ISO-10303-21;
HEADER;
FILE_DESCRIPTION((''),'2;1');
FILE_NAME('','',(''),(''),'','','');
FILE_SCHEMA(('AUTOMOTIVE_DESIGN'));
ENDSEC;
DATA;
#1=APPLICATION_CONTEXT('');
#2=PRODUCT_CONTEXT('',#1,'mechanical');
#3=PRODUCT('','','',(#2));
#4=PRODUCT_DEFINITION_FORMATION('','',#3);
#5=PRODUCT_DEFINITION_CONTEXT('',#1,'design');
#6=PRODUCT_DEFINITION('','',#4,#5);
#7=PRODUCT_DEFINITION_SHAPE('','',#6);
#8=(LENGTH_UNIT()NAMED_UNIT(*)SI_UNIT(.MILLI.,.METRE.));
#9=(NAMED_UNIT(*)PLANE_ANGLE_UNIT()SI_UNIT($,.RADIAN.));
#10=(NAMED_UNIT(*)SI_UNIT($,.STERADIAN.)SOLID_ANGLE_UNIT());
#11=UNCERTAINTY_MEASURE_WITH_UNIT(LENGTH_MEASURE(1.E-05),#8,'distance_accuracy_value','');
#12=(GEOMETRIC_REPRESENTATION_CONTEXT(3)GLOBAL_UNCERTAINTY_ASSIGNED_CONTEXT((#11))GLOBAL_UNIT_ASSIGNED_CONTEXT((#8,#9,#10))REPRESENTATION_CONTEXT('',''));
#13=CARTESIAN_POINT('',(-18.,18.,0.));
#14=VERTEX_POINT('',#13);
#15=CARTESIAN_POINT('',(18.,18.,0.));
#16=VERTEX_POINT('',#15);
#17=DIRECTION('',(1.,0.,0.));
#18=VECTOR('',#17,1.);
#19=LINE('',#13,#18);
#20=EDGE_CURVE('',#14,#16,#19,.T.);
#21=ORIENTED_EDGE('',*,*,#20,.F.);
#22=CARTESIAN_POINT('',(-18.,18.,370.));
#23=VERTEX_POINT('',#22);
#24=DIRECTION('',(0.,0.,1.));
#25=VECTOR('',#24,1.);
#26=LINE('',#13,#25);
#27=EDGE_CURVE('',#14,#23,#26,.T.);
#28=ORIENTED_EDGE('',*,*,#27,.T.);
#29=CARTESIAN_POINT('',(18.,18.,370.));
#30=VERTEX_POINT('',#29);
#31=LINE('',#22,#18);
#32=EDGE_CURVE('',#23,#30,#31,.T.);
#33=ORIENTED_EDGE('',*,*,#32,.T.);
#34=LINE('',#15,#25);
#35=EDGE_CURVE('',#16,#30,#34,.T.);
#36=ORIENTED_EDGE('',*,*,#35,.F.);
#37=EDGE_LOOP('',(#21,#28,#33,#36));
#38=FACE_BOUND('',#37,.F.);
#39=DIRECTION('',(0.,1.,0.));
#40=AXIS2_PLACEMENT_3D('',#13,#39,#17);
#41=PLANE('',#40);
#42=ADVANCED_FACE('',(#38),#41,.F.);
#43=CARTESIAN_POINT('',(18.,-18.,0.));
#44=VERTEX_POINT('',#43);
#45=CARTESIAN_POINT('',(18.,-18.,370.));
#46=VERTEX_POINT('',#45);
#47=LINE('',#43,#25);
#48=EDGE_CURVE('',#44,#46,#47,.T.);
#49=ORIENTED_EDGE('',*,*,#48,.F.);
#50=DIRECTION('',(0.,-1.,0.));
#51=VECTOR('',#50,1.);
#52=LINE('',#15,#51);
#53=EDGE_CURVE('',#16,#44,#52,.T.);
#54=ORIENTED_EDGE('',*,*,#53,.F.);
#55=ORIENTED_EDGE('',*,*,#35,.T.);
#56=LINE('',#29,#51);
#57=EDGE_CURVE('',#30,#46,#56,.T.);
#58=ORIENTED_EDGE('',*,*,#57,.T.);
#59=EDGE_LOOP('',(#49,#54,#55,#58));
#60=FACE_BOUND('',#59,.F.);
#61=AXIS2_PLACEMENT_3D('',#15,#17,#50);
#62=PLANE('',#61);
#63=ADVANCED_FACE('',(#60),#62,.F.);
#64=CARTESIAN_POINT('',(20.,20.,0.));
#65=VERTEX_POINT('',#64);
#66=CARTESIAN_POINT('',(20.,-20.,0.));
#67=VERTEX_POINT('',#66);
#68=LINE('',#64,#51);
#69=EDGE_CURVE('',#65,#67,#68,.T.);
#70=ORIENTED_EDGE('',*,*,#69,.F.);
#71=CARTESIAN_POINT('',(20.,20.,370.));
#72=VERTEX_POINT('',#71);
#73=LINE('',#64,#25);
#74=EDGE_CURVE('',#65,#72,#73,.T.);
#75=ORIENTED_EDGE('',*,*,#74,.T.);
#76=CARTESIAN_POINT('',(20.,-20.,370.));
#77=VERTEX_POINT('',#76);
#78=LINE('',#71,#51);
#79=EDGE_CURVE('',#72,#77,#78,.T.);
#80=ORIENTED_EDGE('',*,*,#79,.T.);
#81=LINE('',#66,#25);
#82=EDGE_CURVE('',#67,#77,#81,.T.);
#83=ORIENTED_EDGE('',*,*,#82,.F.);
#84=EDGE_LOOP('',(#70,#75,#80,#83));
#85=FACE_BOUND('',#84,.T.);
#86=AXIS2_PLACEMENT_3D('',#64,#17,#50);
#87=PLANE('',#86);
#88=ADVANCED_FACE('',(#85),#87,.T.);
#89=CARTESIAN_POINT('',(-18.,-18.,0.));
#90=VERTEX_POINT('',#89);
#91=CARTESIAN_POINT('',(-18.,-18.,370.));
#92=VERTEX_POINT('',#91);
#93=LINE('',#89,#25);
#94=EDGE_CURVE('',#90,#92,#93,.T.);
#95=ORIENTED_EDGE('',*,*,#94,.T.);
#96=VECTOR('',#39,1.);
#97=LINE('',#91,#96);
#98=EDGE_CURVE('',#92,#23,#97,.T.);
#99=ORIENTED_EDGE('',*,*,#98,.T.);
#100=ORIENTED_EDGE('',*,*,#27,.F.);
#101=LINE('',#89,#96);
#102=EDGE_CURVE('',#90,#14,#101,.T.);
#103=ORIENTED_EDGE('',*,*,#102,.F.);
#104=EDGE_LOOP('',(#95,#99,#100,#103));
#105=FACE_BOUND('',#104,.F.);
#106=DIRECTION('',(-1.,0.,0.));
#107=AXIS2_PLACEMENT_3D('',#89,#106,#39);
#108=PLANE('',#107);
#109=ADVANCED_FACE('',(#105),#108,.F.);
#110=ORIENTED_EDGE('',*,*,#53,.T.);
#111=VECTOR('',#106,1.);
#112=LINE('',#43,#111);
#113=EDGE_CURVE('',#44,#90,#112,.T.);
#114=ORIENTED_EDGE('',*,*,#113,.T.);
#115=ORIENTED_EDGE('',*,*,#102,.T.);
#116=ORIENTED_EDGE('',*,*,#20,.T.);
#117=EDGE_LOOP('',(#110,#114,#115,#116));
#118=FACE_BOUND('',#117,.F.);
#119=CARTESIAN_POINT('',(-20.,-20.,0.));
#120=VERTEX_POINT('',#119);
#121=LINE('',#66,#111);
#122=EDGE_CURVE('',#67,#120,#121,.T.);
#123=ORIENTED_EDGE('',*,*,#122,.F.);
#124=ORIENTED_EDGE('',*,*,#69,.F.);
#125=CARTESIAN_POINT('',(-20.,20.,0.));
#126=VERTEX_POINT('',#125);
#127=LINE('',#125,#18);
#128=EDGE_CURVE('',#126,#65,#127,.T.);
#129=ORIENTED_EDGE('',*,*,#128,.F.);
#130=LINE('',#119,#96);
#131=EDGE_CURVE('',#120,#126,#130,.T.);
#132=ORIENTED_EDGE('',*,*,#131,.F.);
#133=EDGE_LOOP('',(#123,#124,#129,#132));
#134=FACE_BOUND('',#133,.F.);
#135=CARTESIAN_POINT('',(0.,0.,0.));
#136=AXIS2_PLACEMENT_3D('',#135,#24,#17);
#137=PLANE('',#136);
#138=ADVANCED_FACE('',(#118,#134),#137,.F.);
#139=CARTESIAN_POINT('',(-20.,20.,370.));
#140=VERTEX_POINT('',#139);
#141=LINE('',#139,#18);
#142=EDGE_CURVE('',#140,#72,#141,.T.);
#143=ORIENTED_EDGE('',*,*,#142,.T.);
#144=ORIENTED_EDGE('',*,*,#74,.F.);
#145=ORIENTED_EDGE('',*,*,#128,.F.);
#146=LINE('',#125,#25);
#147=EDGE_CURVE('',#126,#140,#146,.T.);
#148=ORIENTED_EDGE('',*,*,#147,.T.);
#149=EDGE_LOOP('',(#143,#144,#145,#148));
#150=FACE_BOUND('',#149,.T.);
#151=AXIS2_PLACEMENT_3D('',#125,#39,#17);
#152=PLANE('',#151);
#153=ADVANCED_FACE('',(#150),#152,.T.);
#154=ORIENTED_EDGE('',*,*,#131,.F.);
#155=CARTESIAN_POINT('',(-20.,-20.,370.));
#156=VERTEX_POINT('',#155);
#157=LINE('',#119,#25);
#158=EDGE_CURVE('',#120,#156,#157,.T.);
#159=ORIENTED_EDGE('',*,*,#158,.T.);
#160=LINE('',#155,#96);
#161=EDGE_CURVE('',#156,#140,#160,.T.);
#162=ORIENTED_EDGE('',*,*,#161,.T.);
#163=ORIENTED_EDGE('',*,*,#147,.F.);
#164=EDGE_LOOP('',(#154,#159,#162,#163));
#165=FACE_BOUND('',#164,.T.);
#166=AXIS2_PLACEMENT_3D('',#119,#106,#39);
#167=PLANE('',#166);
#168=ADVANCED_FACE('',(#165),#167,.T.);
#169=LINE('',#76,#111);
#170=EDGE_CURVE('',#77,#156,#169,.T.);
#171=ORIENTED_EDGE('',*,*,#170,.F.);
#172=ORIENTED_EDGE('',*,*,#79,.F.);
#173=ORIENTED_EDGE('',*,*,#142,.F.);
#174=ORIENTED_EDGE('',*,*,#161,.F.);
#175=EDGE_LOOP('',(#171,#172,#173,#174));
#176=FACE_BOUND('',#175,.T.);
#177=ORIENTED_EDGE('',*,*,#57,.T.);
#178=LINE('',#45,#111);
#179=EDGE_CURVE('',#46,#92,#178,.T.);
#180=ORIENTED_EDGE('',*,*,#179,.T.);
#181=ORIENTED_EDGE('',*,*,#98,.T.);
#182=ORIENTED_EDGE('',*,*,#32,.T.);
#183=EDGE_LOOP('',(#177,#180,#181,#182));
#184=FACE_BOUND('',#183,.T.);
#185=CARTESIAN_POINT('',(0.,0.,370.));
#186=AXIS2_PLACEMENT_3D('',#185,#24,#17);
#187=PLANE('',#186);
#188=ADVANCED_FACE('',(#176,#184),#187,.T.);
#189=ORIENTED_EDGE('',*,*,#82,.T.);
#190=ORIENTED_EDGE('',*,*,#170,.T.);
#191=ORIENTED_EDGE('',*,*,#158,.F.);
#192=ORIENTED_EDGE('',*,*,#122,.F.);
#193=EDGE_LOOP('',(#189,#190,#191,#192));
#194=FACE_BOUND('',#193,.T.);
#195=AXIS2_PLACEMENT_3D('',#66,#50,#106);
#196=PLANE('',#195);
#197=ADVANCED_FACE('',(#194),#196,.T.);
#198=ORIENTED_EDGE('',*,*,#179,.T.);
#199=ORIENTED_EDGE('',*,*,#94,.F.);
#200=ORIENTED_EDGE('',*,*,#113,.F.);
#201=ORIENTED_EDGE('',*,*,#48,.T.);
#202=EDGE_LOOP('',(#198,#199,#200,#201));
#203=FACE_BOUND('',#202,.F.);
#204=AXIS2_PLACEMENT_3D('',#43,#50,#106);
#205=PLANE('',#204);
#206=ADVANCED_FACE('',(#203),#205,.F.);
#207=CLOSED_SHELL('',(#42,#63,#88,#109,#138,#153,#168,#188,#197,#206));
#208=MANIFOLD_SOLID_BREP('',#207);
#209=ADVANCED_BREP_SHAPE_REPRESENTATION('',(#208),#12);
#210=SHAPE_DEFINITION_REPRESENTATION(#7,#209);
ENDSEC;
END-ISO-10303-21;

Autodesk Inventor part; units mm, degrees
ref_plane "YZ Plane" through (0, 0, 0) normal (1, 0, 0) x (0, 1, 0)
ref_plane "XZ Plane" through (0, 0, 0) normal (0, 1, 0) x (-1, 0, 0)
ref_plane "XY Plane" through (0, 0, 0) normal (0, 0, 1) x (1, 0, 0)
sketch "Boceto1" plane through (0, 0, 0) normal (0, 0, 1) x (1, 0, 0)
  line L0 (-20, 20) -> (20, 20)
  line L1 (20, 20) -> (20, -20)
  line L2 (20, -20) -> (-20, -20)
  line L3 (-20, -20) -> (-20, 20)
  line L4 (-20, 20) -> (20, -20) construction
  line L5 (-18, 18) -> (18, 18)
  line L6 (18, 18) -> (18, -18)
  line L7 (18, -18) -> (-18, -18)
  line L8 (-18, -18) -> (-18, 18)
  line L9 (-18, 0) -> (-20, 0) construction
  line L10 (0, 18) -> (0, 20) construction
  line L11 (18, 0) -> (20, 0) construction
  line L12 (0, -18) -> (0, -20) construction
  point P0 (0, 0)
  point P1 (0, 0)
  dimension "d0" = 40
  dimension "d1" = 2
extrude "Extrusión1" add sketch "Boceto1" along normal blind 370
properties part number "C_358_40_2"
